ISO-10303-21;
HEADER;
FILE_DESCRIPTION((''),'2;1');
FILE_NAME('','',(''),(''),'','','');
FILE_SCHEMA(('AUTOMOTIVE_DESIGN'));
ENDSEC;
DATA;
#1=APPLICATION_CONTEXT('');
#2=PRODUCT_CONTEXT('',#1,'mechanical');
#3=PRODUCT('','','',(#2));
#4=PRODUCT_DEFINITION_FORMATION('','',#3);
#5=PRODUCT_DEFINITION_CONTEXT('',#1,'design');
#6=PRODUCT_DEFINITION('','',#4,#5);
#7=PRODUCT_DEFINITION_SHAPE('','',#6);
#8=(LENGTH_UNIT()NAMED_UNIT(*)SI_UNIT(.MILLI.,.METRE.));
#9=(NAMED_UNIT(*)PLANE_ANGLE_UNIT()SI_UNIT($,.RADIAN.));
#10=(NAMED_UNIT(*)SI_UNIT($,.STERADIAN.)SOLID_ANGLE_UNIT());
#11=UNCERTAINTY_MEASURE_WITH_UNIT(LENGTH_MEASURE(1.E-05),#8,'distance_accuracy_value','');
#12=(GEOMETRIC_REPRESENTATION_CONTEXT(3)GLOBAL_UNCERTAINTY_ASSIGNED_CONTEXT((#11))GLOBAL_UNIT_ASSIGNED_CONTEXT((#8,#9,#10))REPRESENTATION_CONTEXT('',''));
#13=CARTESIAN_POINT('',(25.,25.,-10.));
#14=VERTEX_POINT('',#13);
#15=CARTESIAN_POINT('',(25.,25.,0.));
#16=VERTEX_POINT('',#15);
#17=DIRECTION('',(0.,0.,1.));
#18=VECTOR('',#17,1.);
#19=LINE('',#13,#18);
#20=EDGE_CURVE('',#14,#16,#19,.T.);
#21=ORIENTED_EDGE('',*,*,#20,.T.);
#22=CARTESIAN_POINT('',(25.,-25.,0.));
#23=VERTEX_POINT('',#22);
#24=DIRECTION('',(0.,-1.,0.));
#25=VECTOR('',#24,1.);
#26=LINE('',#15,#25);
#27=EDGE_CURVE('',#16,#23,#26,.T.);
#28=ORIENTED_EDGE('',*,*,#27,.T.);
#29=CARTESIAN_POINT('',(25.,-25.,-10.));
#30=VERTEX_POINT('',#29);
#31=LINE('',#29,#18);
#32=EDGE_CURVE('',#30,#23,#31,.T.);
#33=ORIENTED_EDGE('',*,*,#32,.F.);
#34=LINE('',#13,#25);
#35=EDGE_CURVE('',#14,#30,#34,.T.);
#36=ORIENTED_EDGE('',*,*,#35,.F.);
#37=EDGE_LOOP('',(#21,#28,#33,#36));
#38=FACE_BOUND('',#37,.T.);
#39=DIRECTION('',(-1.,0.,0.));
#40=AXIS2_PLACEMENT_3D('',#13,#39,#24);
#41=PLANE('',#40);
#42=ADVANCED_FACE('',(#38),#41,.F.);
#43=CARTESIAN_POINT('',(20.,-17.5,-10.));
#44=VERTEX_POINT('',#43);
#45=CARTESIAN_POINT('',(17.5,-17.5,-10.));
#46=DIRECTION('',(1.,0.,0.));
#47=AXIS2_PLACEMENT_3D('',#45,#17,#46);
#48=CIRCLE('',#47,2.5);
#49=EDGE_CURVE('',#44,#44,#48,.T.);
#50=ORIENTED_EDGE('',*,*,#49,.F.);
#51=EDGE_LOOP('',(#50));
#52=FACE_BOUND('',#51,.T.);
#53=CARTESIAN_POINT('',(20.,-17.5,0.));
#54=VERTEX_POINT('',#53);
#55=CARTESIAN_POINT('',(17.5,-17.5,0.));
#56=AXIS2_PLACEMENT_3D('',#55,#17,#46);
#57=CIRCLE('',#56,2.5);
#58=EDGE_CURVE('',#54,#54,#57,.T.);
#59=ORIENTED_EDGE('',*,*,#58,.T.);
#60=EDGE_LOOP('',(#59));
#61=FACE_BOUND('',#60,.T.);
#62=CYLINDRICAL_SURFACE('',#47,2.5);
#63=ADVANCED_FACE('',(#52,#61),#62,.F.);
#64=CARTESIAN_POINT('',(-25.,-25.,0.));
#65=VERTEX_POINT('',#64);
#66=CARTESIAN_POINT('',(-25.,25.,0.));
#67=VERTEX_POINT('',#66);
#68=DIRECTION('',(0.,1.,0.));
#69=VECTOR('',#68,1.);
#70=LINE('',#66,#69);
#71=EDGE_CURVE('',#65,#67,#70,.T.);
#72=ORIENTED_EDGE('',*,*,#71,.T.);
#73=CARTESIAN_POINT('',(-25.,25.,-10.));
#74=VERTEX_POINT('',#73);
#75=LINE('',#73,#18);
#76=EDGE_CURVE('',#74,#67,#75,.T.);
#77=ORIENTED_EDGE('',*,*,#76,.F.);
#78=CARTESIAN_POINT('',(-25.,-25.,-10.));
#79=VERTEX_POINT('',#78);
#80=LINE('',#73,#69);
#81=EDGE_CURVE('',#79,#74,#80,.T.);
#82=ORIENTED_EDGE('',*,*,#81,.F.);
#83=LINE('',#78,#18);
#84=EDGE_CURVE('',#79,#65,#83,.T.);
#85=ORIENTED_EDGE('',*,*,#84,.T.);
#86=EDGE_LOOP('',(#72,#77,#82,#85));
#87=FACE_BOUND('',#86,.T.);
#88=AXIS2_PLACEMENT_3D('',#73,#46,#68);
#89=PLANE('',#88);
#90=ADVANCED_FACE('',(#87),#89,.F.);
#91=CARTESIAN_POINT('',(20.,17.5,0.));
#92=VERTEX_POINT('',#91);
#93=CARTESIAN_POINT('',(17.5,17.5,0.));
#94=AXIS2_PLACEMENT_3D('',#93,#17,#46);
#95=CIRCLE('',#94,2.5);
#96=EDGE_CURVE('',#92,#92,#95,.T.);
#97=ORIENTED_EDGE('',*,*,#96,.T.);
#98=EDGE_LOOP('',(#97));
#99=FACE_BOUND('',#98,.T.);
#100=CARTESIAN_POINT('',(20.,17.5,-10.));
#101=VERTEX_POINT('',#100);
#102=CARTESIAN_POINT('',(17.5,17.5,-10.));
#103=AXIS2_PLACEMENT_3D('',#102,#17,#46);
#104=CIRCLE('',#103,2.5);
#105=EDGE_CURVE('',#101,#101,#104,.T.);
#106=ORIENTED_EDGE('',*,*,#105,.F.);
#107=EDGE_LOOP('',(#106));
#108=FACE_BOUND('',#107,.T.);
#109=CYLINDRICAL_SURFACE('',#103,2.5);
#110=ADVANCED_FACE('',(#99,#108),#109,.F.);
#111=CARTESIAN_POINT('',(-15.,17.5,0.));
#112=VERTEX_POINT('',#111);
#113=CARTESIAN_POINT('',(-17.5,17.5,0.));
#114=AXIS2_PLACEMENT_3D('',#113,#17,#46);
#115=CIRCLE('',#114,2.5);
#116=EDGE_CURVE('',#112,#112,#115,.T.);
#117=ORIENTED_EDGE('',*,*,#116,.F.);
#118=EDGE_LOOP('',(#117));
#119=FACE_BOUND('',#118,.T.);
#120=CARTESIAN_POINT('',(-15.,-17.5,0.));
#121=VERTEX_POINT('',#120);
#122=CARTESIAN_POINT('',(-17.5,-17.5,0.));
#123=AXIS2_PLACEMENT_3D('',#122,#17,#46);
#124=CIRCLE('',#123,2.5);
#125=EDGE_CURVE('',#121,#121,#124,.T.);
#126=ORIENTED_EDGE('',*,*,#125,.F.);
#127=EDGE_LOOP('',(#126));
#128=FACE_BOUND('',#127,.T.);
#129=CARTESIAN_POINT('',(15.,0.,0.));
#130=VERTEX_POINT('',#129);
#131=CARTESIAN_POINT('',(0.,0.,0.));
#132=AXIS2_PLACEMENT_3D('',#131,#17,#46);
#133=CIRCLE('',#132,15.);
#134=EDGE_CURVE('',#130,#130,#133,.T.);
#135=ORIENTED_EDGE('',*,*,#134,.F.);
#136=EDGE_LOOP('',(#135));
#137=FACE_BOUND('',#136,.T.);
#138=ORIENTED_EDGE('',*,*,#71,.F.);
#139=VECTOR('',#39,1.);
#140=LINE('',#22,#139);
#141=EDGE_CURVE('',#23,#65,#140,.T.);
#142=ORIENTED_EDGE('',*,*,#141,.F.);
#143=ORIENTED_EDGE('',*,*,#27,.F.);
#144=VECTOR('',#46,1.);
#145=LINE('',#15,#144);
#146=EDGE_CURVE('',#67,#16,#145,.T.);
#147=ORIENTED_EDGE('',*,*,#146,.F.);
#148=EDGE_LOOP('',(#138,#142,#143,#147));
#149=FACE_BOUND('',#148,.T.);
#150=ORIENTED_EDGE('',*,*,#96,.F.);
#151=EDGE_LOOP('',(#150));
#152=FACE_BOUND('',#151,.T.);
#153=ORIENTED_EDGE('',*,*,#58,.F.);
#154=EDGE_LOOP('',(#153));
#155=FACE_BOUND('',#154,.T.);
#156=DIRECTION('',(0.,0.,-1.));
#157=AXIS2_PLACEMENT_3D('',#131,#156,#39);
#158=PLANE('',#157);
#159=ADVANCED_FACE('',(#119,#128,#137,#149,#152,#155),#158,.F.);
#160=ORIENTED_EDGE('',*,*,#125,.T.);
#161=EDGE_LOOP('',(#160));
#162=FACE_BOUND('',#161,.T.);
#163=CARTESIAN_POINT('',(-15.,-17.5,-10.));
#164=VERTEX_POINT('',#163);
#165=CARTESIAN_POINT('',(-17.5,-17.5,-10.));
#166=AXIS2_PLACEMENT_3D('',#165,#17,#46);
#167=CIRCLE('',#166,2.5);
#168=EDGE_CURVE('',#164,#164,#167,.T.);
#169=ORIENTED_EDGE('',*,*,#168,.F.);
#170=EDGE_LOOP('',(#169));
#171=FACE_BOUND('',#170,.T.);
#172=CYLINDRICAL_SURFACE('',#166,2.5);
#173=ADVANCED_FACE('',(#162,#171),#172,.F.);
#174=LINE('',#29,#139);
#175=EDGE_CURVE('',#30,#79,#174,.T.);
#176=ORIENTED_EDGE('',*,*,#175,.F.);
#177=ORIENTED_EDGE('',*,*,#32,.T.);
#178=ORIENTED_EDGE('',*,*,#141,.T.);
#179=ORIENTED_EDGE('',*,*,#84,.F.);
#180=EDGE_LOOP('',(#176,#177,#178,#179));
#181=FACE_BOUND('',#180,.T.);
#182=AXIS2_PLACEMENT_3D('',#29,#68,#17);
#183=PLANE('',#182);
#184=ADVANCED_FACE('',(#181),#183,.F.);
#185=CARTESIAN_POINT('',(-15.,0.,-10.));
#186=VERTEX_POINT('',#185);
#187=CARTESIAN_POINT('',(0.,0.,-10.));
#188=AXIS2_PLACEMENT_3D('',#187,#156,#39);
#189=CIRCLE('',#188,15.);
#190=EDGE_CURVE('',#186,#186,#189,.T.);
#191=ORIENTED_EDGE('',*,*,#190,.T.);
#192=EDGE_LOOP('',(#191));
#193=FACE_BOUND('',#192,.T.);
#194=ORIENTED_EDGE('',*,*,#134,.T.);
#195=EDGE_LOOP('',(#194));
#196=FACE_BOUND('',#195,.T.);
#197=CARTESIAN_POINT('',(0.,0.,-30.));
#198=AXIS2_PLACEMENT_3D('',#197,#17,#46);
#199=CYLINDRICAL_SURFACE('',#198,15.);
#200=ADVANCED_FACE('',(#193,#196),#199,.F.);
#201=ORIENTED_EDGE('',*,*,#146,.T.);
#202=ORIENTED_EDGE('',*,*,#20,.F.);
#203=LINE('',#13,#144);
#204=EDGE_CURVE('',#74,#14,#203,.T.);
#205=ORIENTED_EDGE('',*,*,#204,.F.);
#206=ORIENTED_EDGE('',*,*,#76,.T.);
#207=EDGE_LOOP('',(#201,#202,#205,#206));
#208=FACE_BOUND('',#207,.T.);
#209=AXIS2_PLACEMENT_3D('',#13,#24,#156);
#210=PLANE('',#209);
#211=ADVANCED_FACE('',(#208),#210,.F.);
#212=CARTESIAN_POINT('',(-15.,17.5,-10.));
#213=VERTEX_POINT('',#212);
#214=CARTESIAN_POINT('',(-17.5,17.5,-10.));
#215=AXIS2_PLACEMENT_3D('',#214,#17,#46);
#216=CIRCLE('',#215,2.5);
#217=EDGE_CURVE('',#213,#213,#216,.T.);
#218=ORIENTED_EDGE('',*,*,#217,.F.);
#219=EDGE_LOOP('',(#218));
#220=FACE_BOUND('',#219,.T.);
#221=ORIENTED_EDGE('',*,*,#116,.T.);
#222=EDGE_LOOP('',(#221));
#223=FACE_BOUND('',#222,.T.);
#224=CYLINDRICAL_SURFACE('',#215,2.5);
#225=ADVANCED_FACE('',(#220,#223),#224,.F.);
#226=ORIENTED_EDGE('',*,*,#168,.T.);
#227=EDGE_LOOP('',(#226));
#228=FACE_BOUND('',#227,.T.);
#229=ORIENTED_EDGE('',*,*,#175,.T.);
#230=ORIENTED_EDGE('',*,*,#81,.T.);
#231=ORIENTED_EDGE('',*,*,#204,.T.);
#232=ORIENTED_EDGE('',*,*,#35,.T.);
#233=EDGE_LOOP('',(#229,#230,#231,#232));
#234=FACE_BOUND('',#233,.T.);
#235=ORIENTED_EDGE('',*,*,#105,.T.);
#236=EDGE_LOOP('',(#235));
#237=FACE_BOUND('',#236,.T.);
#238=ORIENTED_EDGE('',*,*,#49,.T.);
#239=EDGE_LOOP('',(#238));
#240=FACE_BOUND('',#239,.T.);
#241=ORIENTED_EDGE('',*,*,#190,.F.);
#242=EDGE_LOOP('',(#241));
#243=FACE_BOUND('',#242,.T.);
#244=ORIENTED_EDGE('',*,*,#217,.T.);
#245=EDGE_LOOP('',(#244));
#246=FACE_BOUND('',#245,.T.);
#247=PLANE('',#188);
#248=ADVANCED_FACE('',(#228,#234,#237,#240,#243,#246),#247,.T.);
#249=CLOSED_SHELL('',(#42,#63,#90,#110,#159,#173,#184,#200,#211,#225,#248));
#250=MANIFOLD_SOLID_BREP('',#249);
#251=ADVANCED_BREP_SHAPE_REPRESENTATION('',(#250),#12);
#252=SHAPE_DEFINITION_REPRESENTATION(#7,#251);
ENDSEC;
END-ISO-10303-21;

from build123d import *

# Parameters (mm, degrees)
SKETCH1_R           = 15
SKETCH1_R_2         = 10
BOSS_EXTRUDE1_DEPTH = 30
SKETCH2_W           = 50
SKETCH2_H           = 50
BOSS_EXTRUDE2_DEPTH = 10
SKETCH3_R           = 2.5
CUT_EXTRUDE1_DEPTH  = 10
SKETCH4_R           = 15
SKETCH4_R_2         = 10
CUT_EXTRUDE2_DEPTH  = 30
SKETCH5_R           = 15
CUT_EXTRUDE3_DEPTH  = 30


with BuildPart() as part:
    # Sketch1 → Boss-Extrude1 (new body)
    with BuildSketch(Plane.XY):
        Circle(SKETCH1_R)
        Circle(SKETCH1_R_2, mode=Mode.SUBTRACT)
    extrude(amount=BOSS_EXTRUDE1_DEPTH)

    # Sketch2 → Boss-Extrude2 (add)
    with BuildSketch(Plane(origin=(0, 0, 0), x_dir=(-1, 0, 0), z_dir=(0, 0, -1))):
        Rectangle(SKETCH2_W, SKETCH2_H)
    extrude(amount=BOSS_EXTRUDE2_DEPTH)

    # Sketch3 → Cut-Extrude1 (cut)
    with BuildSketch(Plane.XY):
        with Locations((-17.5, 17.5)):
            Circle(SKETCH3_R)
        with Locations((-17.5, -17.5)):
            Circle(SKETCH3_R)
        with Locations((17.5, -17.5)):
            Circle(SKETCH3_R)
        with Locations((17.5, 17.5)):
            Circle(SKETCH3_R)
    extrude(amount=-CUT_EXTRUDE1_DEPTH, mode=Mode.SUBTRACT)

    # Sketch4 → Cut-Extrude2 (cut)
    with BuildSketch(Plane.XY):
        Circle(SKETCH4_R)
        Circle(SKETCH4_R_2, mode=Mode.SUBTRACT)
    extrude(amount=CUT_EXTRUDE2_DEPTH, mode=Mode.SUBTRACT)

    # Sketch5 → Cut-Extrude3 (cut)
    with BuildSketch(Plane.XY):
        Circle(SKETCH5_R)
    extrude(amount=-CUT_EXTRUDE3_DEPTH, mode=Mode.SUBTRACT)


solid = part.part
